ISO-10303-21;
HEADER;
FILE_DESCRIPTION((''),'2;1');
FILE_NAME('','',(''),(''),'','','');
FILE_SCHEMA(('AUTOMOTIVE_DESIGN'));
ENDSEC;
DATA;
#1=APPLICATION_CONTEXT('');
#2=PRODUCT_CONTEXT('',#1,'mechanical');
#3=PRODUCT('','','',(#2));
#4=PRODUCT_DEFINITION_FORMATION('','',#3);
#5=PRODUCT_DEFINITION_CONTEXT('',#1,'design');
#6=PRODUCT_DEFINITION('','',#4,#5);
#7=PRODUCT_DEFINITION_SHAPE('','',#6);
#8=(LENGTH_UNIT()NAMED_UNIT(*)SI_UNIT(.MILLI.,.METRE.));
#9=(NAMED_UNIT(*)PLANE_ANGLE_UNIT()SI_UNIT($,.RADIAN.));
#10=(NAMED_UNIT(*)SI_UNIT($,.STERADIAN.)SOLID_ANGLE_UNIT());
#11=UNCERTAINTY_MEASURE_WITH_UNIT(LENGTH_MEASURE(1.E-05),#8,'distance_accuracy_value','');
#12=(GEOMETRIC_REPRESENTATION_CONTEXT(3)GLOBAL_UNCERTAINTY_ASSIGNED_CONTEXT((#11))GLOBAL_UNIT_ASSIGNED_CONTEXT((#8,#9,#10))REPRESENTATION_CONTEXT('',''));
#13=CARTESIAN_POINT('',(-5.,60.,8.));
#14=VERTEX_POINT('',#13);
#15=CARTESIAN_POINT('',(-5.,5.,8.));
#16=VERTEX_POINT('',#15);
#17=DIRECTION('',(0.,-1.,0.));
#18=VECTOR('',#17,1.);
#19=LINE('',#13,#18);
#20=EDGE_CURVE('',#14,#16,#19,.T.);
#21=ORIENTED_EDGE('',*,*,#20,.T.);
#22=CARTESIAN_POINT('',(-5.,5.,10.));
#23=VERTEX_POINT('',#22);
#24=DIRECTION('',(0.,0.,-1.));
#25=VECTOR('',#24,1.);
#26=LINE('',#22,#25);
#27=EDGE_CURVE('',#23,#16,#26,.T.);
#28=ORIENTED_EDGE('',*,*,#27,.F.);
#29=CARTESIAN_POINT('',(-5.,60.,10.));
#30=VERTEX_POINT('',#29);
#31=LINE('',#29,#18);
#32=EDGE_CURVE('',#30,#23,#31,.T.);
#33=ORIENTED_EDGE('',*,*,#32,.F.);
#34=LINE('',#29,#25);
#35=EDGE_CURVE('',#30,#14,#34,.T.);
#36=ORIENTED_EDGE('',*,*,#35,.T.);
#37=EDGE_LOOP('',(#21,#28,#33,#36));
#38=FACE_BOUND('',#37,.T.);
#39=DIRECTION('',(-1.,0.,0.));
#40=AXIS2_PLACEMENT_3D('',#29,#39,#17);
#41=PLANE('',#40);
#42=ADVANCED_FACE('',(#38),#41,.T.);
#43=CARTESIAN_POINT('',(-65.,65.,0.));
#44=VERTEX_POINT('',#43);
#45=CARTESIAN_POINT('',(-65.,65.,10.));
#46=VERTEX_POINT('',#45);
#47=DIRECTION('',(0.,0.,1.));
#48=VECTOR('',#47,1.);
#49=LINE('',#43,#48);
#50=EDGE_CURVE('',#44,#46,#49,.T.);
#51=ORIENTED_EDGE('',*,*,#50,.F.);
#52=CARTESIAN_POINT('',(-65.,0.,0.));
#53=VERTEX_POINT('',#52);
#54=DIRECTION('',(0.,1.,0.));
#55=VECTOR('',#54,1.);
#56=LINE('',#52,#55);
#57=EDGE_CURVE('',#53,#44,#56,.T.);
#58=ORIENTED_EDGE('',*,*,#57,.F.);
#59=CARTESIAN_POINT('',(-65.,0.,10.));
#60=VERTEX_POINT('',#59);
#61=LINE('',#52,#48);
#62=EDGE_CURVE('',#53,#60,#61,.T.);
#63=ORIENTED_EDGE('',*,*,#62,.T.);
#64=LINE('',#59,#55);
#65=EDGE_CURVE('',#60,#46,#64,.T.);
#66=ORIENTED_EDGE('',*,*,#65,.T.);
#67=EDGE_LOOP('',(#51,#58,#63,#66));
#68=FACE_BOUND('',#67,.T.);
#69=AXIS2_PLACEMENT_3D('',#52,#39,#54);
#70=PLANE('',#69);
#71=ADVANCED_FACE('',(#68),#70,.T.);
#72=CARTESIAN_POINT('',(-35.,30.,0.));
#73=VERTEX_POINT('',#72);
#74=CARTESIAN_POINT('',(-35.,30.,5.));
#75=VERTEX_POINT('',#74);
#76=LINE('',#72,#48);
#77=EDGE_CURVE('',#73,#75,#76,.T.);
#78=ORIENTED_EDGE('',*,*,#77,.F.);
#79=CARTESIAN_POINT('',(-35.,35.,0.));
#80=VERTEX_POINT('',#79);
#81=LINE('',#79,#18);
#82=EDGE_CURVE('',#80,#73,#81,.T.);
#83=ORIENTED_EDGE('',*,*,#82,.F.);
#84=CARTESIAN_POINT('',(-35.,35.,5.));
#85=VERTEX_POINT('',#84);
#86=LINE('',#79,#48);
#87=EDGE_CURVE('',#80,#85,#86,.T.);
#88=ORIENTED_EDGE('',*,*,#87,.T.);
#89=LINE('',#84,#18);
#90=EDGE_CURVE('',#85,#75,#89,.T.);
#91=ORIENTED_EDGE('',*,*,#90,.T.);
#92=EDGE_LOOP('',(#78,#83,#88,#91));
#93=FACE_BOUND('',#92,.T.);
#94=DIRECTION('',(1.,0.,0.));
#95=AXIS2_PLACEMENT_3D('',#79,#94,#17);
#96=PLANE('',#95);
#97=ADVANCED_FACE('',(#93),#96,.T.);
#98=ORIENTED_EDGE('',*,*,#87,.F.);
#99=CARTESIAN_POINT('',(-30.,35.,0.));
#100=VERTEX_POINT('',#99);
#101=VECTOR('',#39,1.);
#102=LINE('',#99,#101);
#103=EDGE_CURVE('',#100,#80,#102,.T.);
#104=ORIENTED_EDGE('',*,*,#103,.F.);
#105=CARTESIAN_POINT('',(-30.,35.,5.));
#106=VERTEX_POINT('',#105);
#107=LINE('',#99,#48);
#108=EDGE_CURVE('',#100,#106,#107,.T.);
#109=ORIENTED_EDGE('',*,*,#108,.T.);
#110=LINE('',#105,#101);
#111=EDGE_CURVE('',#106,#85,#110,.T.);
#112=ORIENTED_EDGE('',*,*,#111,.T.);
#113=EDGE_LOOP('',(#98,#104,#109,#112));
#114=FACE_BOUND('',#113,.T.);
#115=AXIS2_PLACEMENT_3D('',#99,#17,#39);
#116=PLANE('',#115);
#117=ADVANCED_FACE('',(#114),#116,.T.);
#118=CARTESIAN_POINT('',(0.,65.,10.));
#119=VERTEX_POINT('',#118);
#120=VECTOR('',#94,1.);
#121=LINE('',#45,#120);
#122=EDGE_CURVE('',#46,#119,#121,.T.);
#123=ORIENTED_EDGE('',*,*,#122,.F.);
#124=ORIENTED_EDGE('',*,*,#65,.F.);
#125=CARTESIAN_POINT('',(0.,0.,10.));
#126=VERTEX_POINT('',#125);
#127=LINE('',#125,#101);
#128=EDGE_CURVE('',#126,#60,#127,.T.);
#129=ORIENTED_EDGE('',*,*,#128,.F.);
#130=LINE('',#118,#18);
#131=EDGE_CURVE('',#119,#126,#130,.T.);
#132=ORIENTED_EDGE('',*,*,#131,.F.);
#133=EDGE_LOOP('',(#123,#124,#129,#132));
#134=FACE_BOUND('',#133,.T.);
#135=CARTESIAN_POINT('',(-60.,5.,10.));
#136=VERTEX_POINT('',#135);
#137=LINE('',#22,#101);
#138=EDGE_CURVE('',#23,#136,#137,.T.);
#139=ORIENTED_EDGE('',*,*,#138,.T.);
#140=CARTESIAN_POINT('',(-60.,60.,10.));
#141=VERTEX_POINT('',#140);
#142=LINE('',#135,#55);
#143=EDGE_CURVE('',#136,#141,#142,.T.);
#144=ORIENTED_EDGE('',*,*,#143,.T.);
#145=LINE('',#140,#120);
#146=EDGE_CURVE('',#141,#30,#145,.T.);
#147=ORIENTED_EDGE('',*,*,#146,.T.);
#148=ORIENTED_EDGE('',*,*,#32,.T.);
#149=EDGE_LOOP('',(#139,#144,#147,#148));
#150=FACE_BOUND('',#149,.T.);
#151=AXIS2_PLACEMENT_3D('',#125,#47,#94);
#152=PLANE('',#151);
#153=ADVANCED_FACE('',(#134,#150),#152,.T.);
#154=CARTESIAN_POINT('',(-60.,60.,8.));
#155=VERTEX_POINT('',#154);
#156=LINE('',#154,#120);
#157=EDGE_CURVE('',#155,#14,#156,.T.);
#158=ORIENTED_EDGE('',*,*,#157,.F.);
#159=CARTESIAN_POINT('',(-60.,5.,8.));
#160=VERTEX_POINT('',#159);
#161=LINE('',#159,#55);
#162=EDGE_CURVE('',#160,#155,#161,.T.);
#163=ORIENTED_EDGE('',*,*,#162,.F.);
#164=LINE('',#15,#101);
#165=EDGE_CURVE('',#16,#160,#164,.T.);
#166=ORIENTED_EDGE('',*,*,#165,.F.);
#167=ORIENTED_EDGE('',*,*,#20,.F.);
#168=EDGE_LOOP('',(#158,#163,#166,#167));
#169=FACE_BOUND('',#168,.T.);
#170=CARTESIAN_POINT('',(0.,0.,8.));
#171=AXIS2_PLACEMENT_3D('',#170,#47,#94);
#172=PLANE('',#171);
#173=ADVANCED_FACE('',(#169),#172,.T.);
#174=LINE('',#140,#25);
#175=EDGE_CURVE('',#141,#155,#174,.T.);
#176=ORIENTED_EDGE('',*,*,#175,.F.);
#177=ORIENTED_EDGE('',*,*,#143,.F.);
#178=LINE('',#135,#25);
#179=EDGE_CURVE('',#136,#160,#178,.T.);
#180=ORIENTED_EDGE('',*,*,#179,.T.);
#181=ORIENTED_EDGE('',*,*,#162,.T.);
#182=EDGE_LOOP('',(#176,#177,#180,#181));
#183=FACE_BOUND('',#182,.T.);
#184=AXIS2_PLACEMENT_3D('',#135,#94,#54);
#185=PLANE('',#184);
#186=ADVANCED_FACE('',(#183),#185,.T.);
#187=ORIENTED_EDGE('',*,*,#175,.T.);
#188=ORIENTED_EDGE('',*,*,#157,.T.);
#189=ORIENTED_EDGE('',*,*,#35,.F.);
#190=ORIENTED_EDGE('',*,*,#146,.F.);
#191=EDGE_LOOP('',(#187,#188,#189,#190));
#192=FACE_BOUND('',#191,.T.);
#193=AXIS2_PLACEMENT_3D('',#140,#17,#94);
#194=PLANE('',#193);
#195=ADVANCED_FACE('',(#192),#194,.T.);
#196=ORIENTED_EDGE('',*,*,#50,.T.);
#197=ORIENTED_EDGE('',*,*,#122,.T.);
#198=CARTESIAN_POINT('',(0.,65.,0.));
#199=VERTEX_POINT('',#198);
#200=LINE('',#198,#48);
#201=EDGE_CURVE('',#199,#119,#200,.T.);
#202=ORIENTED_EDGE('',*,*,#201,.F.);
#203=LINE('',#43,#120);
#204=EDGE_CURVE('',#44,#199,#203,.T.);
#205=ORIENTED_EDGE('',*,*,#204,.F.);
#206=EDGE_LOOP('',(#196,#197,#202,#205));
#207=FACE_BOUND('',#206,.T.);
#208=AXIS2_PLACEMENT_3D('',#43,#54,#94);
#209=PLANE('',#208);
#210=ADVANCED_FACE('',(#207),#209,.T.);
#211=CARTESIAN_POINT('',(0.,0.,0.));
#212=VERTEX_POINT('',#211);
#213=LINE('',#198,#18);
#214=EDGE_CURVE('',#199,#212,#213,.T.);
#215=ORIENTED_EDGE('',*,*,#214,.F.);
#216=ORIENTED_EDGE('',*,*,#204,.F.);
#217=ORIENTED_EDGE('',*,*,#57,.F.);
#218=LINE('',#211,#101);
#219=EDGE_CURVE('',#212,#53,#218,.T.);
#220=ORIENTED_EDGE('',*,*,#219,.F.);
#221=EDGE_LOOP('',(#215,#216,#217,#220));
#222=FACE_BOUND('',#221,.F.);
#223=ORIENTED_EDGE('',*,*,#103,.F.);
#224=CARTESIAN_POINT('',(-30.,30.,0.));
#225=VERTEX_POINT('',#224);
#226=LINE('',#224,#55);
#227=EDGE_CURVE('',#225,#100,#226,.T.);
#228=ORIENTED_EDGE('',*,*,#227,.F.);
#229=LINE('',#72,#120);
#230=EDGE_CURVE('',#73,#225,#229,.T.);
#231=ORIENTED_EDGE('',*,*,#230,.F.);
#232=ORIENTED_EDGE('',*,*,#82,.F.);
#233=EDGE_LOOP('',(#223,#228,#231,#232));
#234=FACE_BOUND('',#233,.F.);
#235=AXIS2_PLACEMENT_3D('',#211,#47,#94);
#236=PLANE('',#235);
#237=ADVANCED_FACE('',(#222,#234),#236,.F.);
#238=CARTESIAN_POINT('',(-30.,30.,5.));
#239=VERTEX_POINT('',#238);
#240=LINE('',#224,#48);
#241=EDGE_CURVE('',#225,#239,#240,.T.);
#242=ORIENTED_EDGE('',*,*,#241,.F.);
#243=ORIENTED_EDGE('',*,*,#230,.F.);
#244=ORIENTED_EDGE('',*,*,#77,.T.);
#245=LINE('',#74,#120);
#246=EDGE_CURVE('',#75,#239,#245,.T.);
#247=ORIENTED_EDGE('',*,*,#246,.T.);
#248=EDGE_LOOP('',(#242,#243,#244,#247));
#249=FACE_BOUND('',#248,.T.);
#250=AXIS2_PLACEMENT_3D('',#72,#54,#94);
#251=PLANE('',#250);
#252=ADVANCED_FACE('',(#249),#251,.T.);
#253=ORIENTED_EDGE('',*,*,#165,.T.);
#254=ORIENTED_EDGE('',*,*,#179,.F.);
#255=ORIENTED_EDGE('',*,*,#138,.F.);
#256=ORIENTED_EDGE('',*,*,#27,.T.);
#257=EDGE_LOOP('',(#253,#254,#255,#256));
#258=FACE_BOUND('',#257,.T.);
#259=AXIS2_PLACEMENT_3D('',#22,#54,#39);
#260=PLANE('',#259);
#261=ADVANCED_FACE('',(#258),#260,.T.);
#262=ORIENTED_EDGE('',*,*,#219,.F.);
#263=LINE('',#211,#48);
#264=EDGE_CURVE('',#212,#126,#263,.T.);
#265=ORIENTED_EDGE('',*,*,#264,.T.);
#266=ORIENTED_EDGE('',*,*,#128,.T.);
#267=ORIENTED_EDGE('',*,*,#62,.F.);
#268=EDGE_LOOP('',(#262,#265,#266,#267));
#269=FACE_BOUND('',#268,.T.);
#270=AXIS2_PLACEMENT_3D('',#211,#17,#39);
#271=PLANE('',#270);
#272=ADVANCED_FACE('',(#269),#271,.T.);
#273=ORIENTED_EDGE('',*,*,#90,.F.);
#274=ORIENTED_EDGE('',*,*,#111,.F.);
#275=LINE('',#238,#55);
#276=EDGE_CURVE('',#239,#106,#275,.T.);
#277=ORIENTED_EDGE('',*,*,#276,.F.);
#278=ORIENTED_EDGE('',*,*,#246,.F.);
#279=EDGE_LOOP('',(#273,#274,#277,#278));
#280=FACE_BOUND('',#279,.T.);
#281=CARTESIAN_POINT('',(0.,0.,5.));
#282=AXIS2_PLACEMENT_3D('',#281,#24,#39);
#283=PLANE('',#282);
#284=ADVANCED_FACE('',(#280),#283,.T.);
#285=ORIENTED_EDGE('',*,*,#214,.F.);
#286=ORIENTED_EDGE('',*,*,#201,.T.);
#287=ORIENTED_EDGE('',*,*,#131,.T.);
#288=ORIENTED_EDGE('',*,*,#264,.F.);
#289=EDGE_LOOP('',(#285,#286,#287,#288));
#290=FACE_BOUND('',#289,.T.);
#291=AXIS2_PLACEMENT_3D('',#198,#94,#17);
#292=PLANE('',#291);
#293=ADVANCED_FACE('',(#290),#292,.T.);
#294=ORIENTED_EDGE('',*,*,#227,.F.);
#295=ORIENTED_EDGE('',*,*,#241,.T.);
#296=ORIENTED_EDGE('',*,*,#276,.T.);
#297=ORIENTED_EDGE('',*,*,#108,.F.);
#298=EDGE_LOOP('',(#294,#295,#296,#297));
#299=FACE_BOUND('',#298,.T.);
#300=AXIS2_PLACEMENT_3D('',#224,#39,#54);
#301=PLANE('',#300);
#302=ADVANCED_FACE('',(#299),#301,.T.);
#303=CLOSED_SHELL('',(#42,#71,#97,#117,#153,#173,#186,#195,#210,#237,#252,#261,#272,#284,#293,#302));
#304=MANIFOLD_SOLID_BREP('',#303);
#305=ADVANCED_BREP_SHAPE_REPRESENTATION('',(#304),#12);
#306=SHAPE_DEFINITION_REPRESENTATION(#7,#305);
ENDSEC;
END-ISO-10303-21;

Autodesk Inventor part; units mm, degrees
ref_plane "YZ Plane" through (0, 0, 0) normal (1, 0, 0) x (0, 1, 0)
ref_plane "XZ Plane" through (0, 0, 0) normal (0, 1, 0) x (-1, 0, 0)
ref_plane "XY Plane" through (0, 0, 0) normal (0, 0, 1) x (1, 0, 0)
sketch "Sketch1" plane through (0, 0, 0) normal (0, 0, 1) x (1, 0, 0)
  line L0 (0, 0) -> (-65, 0)
  line L1 (-65, 0) -> (-65, 65)
  line L2 (-65, 65) -> (0, 65)
  line L3 (0, 65) -> (0, 0)
  dimension "d4" = 65
  dimension "d5" = 65
extrude "Extrusion1" add sketch "Sketch1" along normal blind 10
sketch "Sketch2" plane through (0, 0, 10) normal (0, 0, 1) x (1, 0, 0)
  line L0 (-5, 5) -> (-60, 5)
  line L1 (-60, 5) -> (-60, 60)
  line L2 (-60, 60) -> (-5, 60)
  line L3 (-5, 60) -> (-5, 5)
  point P0 (0, 0)
  dimension "d8" = 55
  dimension "d9" = 55
extrude "Extrusion2" cut sketch "Sketch2" against normal blind 2
sketch "Sketch3" plane through (0, 0, 0) normal (0, 0, -1) x (-1, 0, 0)
  line L0 (30, 35) -> (35, 35)
  line L1 (35, 35) -> (35, 30)
  line L2 (35, 30) -> (30, 30)
  line L3 (30, 30) -> (30, 35)
  point P0 (0, 0)
  point P1 (32.5, 32.5)
  dimension "d20" = 5
  dimension "d21" = 5
extrude "Extrusion4" cut sketch "Sketch3" against normal blind 5
properties part number "Clip_MarkerHolderV1"
